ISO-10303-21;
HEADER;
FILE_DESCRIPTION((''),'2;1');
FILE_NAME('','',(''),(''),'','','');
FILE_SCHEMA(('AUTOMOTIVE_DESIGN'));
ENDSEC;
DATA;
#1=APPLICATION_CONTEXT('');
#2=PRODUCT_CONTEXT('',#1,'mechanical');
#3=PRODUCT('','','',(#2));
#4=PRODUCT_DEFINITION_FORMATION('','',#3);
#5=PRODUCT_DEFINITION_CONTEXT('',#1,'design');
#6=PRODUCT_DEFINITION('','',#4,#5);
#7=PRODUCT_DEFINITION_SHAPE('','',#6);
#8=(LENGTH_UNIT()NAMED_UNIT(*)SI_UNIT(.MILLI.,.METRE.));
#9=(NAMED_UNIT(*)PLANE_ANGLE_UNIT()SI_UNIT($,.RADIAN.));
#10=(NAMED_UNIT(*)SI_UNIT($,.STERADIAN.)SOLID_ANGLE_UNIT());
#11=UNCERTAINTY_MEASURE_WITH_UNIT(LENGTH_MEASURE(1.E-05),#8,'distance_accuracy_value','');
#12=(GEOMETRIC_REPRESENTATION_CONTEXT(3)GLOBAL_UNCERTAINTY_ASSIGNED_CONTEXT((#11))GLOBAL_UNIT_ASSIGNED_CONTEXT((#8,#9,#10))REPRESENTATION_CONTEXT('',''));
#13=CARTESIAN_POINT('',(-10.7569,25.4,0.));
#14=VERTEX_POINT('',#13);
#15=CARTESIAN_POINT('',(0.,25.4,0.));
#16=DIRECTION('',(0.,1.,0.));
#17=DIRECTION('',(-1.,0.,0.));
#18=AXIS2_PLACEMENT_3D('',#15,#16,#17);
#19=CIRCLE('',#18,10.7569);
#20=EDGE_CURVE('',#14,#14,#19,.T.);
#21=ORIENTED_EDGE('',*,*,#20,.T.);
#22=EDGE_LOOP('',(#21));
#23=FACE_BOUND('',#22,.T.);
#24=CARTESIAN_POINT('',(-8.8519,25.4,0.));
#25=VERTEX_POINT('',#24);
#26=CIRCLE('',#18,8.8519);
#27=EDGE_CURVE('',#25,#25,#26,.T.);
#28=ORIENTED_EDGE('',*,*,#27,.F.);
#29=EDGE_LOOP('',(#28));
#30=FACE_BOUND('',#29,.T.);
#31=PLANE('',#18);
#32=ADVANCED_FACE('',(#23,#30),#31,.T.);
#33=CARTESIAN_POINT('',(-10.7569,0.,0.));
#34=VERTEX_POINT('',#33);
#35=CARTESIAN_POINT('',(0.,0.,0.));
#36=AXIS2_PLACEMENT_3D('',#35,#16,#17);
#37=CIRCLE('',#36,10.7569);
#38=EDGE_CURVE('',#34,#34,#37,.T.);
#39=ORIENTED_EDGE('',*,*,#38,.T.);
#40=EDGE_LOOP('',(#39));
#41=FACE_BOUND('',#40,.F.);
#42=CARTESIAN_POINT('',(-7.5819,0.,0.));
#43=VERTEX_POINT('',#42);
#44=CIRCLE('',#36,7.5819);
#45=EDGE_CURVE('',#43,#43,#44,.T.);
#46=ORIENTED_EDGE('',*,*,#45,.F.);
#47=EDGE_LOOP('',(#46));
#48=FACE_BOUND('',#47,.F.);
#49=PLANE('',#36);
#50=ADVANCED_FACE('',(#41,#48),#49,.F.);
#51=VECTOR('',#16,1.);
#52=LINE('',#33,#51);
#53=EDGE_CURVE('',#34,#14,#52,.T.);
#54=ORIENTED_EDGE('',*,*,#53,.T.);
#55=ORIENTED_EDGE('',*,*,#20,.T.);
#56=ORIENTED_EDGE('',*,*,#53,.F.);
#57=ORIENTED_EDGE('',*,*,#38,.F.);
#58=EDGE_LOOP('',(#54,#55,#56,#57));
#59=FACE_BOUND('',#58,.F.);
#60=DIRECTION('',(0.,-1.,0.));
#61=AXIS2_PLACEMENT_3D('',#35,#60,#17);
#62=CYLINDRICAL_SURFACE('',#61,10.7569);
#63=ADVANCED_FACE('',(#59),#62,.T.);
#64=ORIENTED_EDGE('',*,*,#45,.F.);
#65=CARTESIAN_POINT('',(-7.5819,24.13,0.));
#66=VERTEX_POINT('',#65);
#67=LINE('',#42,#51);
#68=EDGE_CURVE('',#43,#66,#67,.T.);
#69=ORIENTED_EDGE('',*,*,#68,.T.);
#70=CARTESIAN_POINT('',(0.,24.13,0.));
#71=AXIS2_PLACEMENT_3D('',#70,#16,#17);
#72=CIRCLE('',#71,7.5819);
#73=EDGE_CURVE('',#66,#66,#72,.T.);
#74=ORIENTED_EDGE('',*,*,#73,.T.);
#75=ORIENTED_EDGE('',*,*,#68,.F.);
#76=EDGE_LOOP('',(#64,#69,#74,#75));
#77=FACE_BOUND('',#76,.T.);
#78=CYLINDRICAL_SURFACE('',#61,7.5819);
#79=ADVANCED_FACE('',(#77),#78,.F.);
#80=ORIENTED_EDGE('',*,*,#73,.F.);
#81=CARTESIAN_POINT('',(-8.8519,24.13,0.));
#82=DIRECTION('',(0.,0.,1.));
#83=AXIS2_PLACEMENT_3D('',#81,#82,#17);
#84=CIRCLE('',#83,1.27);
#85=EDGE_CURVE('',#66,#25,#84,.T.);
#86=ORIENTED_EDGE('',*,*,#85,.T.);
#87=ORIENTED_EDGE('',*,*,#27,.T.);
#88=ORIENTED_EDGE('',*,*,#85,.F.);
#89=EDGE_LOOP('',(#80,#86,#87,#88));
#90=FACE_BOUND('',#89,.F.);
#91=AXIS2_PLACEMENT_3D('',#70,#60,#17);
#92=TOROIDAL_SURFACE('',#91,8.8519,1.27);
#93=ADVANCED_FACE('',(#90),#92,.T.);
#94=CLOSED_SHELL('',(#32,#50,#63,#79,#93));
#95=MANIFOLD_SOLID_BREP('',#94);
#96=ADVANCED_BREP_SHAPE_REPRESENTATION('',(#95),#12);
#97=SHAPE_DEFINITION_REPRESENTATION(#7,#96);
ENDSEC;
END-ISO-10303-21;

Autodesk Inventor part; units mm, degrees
ref_plane "YZ Plane" through (0, 0, 0) normal (1, 0, 0) x (0, 1, 0)
ref_plane "XZ Plane" through (0, 0, 0) normal (0, 1, 0) x (-1, 0, 0)
ref_plane "XY Plane" through (0, 0, 0) normal (0, 0, 1) x (1, 0, 0)
sketch "Sketch1" plane through (0, 0, 0) normal (0, 1, 0) x (-1, 0, 0)
  circle A0 centre (0, 0) radius 7.5819
  circle A1 centre (0, 0) radius 10.7569
  dimension "d0" = 15.1638
  dimension "d1" = 3.175
extrude "Extrusion1" add sketch "Sketch1" along normal blind 25.4
fillet "Fillet1" radius 1.27 1 edges at (7.5819, 25.4, 0)
properties part number "Bearing Test Fit_3DPrint"
